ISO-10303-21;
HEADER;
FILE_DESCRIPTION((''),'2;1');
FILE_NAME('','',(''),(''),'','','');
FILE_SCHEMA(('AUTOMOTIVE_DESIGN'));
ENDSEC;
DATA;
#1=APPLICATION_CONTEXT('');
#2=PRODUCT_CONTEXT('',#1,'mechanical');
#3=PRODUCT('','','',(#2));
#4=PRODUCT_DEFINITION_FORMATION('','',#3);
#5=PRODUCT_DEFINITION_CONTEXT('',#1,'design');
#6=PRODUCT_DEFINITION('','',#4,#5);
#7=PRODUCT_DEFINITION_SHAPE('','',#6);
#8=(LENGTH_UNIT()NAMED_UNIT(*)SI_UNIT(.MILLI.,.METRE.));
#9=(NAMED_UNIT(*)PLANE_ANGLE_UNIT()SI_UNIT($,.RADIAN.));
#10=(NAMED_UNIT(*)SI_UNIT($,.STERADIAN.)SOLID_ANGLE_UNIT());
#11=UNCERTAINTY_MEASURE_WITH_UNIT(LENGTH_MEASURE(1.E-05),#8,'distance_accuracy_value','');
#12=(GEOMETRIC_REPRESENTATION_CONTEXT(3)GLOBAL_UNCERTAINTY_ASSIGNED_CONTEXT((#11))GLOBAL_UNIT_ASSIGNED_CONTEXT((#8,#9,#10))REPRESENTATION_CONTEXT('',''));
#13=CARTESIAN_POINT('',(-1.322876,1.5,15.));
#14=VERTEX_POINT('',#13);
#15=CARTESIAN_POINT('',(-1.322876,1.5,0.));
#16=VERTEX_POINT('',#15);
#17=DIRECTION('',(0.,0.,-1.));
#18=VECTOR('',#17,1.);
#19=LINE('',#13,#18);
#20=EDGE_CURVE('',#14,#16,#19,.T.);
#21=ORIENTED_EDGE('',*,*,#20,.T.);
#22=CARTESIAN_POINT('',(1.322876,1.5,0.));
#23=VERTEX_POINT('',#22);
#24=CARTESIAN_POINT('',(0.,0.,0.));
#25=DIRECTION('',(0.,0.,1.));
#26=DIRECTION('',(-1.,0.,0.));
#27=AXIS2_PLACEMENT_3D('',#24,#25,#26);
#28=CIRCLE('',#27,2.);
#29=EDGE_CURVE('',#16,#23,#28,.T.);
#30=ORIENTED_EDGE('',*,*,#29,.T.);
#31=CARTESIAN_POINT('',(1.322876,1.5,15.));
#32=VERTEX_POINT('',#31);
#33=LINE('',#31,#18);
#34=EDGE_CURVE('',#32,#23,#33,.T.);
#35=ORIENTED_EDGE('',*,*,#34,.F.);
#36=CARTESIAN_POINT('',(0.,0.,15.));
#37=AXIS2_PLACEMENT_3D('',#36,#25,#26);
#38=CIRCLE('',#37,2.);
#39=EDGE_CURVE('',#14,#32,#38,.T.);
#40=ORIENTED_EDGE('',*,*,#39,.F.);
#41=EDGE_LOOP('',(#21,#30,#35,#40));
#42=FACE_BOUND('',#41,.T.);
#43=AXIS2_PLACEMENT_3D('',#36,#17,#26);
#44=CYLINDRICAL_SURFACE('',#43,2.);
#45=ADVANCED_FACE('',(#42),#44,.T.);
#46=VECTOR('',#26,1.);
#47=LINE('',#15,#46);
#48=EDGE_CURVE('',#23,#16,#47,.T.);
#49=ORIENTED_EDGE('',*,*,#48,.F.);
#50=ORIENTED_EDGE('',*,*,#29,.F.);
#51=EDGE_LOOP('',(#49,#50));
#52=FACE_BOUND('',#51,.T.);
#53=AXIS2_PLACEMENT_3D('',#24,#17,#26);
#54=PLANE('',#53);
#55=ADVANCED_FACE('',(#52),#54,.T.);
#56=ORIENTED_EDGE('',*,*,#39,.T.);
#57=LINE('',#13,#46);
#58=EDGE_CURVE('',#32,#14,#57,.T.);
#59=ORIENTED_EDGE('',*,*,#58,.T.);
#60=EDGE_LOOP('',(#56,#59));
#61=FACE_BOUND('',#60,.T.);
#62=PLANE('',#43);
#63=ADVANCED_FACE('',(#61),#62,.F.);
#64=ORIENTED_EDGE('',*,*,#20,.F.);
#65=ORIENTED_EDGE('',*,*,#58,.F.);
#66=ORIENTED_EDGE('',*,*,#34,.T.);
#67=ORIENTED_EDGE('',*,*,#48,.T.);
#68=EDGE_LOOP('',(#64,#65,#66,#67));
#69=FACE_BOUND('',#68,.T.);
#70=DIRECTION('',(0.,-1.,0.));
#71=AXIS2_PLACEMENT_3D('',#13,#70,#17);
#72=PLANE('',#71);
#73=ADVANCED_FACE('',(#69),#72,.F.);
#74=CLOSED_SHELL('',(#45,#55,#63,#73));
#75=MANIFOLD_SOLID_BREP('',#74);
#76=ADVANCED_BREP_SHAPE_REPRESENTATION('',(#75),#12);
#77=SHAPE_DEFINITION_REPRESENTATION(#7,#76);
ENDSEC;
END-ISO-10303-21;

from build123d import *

# Parameters (mm, degrees)
BOSS_EXTRUDE1_DEPTH = 15


with BuildPart() as part:
    # Sketch1 → Boss-Extrude1 (new body)
    with BuildSketch(Plane.XY):
        with BuildLine():
            Line((-1.322875656, 1.5), (1.322875656, 1.5))
            ThreePointArc((1.322875656, 1.5), (0, -2), (-1.322875656, 1.5))
        make_face()
    extrude(amount=BOSS_EXTRUDE1_DEPTH)


solid = part.part
